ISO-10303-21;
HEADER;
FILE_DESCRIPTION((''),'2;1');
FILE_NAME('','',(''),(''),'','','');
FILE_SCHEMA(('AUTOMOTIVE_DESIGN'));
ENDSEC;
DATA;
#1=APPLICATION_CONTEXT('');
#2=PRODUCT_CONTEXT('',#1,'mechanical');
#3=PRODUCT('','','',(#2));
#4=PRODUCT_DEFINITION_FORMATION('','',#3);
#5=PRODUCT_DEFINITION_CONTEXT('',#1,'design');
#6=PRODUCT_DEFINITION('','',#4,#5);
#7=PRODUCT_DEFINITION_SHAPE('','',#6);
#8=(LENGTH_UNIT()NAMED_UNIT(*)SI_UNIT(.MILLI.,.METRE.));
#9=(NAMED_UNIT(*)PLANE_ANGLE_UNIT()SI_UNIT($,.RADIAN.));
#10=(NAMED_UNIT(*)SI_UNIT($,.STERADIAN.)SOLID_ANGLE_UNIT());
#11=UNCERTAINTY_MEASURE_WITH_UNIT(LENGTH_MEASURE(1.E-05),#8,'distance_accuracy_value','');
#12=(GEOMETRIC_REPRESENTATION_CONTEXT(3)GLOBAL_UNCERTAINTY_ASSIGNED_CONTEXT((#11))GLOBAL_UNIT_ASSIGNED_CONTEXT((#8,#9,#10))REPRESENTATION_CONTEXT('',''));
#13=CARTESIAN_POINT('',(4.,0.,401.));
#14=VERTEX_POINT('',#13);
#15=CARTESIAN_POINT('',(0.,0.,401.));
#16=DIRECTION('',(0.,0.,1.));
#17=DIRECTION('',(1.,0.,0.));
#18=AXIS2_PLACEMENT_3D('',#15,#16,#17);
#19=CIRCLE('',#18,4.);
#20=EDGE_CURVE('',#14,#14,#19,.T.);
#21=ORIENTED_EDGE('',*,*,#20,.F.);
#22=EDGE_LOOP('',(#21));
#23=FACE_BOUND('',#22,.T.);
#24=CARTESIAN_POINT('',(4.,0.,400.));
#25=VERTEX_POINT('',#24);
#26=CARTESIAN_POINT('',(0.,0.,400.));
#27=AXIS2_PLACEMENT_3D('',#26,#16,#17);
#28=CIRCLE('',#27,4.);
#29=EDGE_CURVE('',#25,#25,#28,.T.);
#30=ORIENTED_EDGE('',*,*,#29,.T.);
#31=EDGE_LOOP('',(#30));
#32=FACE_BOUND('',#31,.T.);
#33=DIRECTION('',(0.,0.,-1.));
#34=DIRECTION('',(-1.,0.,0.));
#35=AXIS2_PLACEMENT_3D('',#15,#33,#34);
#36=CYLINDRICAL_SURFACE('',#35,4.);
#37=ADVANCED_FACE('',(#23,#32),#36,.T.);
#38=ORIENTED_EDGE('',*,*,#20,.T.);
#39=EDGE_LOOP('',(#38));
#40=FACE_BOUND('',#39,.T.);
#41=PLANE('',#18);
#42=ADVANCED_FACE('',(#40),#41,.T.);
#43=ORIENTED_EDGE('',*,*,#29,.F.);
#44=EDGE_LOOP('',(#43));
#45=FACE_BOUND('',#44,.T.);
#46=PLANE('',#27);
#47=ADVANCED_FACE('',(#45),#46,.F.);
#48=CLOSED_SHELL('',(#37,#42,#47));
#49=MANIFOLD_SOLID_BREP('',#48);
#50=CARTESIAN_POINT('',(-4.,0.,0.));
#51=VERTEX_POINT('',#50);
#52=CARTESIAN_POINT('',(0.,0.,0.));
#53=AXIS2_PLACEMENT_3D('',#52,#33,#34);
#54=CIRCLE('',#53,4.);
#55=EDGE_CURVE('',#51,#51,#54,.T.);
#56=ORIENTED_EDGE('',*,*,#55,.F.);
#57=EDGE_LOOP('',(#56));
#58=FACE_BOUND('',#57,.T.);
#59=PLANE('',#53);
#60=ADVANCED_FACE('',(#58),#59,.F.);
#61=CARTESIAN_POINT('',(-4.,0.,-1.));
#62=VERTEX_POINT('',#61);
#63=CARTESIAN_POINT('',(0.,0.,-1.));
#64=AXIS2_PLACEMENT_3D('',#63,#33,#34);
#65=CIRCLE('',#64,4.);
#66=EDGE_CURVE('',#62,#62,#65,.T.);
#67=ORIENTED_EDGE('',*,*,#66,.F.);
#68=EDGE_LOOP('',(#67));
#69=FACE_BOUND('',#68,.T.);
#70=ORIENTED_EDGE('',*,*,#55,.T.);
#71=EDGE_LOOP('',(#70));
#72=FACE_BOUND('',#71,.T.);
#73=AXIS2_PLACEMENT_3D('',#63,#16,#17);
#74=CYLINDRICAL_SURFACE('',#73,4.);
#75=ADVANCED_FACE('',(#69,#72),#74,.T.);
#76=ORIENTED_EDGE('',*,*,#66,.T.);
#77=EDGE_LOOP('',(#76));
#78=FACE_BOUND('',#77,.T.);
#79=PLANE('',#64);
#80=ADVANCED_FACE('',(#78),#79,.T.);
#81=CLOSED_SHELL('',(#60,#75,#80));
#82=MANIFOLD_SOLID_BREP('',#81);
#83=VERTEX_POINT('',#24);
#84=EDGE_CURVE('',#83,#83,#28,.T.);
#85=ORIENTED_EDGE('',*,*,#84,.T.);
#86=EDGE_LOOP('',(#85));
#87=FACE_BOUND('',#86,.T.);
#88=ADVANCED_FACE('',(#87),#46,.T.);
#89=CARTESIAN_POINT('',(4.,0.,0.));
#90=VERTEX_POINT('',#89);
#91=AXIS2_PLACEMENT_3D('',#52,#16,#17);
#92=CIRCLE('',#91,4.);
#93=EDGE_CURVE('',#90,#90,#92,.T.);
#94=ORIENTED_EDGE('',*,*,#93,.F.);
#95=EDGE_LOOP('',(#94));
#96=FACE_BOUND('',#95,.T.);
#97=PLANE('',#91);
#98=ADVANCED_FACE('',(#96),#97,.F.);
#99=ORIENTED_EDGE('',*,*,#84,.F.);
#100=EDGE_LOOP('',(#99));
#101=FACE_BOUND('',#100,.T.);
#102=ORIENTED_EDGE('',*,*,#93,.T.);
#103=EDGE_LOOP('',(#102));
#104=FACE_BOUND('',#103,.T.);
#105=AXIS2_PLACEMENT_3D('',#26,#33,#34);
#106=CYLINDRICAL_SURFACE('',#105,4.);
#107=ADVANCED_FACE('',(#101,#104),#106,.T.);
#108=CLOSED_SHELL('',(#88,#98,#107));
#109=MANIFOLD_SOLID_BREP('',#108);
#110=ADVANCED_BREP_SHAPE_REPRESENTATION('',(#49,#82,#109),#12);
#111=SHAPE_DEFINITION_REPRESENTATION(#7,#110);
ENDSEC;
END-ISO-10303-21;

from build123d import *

# Parameters (mm, degrees)
SKETCH_1_R      = 4
EXTRUDE_1_DEPTH = 400
SKETCH_4_R      = 4
EXTRUDE_2_DEPTH = 1
SKETCH_5_R      = 4
EXTRUDE_3_DEPTH = 1


with BuildPart() as part:
    # 草图1 → 拉伸1 (new body)
    with BuildSketch(Plane.XY):
        Circle(SKETCH_1_R)
    extrude(amount=EXTRUDE_1_DEPTH)


with BuildPart() as body_2:
    # 草图4 → 拉伸2 (new body)
    with BuildSketch(Plane(origin=(0, 0, 0), x_dir=(-1, 0, 0), z_dir=(0, 0, -1))):
        Circle(SKETCH_4_R)
    extrude(amount=EXTRUDE_2_DEPTH)


with BuildPart() as body_3:
    # 草图5 → 拉伸3 (new body)
    with BuildSketch(Plane.XY.offset(400)):
        Circle(SKETCH_5_R)
    extrude(amount=EXTRUDE_3_DEPTH)


solid = Compound([part.part, body_2.part, body_3.part])
